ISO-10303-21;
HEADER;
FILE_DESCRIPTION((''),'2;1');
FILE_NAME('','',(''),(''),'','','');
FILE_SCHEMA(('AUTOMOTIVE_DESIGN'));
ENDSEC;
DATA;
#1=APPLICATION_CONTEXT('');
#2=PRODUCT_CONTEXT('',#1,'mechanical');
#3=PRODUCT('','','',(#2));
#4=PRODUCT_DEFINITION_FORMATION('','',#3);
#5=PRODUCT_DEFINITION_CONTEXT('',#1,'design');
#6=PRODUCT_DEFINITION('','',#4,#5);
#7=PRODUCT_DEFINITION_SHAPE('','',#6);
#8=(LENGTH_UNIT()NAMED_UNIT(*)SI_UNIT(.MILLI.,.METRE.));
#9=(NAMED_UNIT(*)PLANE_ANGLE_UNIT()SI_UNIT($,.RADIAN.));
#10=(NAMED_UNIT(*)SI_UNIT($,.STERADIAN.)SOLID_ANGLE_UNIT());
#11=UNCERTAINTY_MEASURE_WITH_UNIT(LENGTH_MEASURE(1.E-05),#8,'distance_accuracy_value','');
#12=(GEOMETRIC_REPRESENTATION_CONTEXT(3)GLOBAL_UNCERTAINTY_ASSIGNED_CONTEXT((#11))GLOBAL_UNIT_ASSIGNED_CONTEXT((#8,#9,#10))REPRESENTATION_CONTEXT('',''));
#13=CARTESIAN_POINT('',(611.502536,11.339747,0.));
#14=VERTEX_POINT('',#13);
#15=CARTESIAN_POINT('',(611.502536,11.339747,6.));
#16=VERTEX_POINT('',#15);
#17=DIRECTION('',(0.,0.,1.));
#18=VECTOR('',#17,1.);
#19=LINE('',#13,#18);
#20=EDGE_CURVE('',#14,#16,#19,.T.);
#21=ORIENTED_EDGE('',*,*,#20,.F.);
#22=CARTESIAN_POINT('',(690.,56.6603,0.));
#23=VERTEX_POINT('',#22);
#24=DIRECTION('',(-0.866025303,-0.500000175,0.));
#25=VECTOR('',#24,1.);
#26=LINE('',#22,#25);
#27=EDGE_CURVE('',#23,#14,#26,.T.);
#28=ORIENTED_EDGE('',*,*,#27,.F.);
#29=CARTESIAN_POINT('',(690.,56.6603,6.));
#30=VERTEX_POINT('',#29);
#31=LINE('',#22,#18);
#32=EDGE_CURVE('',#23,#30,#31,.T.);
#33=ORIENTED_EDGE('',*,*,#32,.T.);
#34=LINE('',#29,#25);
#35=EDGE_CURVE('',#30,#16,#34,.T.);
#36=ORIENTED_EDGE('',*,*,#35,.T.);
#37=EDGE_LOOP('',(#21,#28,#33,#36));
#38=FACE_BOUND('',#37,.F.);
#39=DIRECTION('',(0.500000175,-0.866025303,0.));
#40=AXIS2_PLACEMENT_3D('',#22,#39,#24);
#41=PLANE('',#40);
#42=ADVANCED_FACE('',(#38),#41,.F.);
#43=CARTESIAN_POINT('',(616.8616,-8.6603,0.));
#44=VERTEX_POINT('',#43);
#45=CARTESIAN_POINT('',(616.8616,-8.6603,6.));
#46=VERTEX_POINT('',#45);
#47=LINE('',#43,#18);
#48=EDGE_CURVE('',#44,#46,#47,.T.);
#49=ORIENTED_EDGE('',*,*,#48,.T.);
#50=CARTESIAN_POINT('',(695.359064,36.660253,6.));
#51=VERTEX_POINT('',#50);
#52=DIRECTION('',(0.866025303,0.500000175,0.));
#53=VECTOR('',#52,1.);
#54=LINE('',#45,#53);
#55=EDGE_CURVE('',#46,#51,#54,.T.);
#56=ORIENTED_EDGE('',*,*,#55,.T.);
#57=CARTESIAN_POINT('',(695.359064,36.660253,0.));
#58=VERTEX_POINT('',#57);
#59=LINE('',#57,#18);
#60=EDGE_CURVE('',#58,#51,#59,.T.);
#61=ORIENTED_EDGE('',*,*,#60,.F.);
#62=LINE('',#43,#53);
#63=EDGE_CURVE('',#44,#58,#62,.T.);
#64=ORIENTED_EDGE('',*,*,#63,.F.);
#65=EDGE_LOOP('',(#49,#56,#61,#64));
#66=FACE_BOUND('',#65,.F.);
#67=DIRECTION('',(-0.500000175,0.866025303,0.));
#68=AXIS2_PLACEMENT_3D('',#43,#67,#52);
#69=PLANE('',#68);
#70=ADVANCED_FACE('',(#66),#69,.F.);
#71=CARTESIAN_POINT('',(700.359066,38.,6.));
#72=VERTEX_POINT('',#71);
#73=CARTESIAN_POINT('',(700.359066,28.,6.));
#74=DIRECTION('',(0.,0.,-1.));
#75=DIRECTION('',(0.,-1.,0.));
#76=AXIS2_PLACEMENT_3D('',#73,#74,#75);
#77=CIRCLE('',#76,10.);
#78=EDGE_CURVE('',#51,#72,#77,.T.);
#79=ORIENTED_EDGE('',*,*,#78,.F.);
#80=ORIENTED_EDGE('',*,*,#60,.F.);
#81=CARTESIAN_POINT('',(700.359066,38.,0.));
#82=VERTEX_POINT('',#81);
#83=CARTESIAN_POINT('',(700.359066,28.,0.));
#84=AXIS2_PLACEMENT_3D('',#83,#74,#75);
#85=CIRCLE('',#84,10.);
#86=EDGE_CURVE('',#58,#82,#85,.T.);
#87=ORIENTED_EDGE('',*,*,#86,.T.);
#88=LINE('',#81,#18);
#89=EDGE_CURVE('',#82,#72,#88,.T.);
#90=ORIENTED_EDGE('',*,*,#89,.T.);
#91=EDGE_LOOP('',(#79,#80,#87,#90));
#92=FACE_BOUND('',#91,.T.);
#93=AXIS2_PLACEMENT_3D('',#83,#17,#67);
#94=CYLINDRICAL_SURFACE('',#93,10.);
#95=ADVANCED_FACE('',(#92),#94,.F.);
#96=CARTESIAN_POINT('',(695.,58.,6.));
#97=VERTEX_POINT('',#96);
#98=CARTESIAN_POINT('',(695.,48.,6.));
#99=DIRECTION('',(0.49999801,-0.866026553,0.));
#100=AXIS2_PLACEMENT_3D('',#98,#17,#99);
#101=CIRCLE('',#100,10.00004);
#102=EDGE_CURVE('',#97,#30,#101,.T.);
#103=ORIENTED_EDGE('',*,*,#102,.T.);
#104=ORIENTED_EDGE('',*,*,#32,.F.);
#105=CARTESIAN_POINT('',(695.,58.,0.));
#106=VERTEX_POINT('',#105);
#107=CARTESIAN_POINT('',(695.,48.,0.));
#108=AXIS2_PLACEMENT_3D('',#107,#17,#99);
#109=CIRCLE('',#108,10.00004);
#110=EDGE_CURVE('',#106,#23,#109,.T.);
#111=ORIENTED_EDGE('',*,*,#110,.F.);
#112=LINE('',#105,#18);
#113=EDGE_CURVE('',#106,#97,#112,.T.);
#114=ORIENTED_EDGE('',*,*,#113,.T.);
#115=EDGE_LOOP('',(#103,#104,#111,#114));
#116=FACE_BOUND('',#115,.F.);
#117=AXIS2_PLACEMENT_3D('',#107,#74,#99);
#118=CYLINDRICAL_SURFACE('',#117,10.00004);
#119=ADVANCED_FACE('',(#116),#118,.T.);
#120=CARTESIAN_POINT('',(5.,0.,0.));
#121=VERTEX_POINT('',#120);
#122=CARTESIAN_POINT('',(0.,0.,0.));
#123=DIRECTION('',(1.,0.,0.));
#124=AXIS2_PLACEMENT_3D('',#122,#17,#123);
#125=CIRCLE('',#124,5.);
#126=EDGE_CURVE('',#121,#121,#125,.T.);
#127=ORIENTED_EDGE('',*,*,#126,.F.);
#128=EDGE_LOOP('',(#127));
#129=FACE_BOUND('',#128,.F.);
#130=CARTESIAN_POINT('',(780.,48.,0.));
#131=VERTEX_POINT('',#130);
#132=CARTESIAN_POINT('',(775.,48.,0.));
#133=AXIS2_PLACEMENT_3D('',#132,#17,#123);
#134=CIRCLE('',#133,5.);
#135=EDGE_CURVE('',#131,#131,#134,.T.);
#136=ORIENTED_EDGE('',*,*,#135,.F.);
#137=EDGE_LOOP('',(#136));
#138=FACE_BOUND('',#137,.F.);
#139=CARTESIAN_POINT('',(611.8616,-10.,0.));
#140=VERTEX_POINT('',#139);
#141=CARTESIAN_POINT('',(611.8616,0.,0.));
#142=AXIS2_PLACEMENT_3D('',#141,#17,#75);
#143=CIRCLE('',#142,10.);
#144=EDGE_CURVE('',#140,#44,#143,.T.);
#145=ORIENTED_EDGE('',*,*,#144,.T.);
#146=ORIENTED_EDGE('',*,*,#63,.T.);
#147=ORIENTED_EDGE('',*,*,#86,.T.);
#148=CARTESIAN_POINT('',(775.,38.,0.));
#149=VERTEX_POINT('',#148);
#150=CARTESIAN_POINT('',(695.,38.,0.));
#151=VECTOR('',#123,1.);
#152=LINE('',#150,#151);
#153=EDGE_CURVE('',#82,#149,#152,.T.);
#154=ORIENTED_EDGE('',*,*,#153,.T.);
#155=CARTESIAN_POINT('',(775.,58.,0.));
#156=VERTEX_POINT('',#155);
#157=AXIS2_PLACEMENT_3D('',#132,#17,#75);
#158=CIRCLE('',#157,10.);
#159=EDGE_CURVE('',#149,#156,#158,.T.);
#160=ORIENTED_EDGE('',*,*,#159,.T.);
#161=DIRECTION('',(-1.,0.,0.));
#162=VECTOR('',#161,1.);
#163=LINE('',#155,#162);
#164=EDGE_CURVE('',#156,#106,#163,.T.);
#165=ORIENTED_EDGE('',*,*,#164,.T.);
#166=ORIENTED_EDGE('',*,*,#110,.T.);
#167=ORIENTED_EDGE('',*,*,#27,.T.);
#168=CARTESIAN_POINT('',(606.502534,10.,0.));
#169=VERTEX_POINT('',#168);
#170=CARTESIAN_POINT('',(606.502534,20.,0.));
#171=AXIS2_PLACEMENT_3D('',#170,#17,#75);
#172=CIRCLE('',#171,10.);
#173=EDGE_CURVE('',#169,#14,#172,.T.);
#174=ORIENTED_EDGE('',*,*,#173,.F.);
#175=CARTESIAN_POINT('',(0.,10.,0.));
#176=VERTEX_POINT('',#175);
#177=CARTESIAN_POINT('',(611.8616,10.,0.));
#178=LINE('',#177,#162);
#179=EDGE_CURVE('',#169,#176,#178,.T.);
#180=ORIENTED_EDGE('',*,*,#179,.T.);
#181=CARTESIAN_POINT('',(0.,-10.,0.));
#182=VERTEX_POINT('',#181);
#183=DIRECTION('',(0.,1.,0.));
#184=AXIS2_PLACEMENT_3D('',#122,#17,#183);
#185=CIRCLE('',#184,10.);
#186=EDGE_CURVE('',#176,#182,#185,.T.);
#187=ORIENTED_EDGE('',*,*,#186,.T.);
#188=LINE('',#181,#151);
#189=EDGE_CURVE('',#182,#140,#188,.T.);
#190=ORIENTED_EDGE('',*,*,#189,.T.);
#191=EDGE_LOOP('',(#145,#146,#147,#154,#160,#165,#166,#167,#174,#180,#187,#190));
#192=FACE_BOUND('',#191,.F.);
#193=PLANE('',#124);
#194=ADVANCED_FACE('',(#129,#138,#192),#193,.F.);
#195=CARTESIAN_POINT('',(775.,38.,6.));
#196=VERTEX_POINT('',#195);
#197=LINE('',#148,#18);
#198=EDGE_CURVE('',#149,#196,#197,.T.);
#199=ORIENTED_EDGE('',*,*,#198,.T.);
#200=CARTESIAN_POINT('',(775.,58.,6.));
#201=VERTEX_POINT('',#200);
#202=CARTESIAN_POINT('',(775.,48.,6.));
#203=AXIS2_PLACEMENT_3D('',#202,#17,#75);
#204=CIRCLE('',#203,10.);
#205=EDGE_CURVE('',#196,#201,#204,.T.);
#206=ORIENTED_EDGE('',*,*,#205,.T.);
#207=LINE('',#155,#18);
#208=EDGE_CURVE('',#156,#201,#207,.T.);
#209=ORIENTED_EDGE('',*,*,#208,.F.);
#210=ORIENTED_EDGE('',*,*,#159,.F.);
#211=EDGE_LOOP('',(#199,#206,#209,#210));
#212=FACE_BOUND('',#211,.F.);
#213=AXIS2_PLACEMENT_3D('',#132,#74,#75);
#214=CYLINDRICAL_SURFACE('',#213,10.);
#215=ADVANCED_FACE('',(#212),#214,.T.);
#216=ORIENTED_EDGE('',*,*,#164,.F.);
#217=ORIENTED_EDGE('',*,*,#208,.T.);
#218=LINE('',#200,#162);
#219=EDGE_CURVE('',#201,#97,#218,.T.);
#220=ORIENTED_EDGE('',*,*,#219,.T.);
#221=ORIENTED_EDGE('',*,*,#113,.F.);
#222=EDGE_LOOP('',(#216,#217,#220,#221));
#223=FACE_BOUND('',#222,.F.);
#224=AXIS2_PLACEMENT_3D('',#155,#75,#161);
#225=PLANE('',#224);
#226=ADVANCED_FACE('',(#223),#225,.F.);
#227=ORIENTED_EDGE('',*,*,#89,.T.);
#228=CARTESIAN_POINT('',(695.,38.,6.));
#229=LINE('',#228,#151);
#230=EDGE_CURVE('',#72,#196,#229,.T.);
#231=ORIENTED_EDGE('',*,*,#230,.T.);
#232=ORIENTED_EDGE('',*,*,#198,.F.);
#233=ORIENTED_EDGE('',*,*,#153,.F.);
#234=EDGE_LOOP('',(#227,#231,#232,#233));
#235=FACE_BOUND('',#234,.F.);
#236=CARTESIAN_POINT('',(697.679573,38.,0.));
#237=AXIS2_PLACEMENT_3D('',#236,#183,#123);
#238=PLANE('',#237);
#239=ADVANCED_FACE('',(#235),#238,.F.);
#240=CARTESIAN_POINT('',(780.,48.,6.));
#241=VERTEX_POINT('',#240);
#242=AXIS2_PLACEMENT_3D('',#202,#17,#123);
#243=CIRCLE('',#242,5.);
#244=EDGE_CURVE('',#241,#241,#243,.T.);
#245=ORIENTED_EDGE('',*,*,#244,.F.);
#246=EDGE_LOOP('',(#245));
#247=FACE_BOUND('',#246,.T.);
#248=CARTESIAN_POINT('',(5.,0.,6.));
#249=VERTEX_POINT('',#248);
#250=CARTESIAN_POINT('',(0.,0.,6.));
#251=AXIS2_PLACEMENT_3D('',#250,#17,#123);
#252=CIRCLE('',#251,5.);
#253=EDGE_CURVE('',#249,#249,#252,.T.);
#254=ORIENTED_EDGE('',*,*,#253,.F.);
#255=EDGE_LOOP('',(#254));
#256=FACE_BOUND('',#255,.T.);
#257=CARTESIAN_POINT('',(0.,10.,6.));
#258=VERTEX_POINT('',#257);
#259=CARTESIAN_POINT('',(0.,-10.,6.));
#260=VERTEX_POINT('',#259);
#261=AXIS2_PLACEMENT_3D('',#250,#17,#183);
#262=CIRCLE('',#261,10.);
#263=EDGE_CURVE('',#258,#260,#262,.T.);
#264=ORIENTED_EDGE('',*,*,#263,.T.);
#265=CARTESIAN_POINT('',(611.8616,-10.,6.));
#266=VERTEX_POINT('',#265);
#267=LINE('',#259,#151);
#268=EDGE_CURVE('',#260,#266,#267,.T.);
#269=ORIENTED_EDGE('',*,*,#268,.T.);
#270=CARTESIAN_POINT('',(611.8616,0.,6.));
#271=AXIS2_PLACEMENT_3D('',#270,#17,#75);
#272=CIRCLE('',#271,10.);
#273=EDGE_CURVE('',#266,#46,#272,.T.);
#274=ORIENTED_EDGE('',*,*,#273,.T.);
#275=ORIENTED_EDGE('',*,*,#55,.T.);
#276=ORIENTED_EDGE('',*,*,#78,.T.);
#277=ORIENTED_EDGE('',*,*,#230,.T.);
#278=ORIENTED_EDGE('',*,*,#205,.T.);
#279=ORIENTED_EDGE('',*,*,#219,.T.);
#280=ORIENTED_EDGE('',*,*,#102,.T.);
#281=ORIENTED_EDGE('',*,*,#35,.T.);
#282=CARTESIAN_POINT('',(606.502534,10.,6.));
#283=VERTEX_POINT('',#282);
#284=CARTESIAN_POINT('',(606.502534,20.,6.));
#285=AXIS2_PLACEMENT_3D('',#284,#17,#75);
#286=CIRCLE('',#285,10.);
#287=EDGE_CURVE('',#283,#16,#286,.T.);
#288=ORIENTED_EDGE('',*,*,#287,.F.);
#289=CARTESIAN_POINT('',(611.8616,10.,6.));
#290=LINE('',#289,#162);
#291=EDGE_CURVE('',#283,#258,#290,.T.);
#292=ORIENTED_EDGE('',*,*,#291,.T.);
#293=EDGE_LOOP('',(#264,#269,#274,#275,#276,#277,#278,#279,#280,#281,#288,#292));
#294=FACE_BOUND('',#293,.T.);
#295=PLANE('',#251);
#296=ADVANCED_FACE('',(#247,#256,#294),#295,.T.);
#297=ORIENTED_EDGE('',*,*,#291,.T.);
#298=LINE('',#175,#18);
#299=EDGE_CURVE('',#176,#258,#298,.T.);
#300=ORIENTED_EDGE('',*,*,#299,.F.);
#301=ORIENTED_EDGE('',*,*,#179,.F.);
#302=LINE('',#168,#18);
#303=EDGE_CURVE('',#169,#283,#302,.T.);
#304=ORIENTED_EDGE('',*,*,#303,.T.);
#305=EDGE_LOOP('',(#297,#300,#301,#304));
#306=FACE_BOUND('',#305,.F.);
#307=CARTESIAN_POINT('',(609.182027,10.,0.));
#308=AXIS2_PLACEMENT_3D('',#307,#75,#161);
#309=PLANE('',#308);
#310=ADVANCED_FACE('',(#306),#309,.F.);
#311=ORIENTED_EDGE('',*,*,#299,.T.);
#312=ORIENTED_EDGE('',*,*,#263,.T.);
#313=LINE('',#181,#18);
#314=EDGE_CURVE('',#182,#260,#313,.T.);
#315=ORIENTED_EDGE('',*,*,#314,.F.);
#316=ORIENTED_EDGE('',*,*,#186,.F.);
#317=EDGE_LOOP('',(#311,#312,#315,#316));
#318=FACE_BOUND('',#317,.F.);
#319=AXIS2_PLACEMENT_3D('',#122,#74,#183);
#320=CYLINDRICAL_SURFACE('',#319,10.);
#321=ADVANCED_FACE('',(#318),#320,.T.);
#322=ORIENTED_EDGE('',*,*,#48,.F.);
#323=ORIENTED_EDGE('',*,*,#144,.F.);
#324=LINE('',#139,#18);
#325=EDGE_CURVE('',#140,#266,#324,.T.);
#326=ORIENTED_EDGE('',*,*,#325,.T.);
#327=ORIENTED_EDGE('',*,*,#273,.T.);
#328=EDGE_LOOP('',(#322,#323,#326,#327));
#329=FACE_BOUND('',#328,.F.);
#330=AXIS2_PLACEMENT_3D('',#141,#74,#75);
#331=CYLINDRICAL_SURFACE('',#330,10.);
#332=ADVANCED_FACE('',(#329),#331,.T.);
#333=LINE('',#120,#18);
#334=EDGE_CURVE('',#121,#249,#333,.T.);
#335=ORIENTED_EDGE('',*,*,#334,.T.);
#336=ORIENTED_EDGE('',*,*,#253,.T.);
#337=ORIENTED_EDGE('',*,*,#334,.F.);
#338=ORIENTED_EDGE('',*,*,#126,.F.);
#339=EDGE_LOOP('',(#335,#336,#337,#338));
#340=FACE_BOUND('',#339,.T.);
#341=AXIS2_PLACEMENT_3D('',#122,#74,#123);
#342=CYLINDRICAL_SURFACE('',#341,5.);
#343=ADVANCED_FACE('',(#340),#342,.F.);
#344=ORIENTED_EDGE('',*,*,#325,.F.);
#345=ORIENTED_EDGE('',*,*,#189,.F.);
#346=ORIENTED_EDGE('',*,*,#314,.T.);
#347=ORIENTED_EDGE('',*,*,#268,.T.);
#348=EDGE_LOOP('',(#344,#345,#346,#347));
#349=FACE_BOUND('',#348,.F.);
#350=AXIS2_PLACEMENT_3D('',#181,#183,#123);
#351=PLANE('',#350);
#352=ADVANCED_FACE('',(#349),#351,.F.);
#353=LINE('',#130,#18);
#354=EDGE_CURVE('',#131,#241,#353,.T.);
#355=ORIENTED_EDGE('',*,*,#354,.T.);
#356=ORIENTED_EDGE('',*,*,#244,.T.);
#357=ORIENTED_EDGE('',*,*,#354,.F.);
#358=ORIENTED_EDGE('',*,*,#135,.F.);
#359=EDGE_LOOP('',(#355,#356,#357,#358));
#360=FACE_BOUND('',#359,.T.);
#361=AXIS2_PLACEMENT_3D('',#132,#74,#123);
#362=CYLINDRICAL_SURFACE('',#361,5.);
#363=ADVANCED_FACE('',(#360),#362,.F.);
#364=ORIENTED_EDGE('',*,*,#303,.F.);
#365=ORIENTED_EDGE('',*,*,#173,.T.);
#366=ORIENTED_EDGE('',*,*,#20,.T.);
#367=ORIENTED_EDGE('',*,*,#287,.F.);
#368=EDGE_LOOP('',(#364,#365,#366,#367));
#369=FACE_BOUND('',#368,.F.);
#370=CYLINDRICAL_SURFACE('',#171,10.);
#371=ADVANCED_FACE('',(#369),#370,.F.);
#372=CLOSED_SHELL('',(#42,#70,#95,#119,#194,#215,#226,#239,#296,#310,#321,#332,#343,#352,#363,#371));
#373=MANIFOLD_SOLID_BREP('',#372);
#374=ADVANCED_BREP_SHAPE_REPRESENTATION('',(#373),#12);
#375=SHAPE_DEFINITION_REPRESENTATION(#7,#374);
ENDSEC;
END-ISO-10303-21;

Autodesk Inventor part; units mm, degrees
ref_plane "YZ Plane" through (0, 0, 0) normal (1, 0, 0) x (0, 1, 0)
ref_plane "XZ Plane" through (0, 0, 0) normal (0, 1, 0) x (-1, 0, 0)
ref_plane "XY Plane" through (0, 0, 0) normal (0, 0, 1) x (1, 0, 0)
sketch "Sketch1" plane through (0, 0, 0) normal (0, 0, 1) x (1, 0, 0)
  circle A0 centre (775, 48) radius 5
  circle A1 centre (0, 0) radius 5
  line L0 (0, 0) -> (611.8616, 0) construction
  line L1 (0, -10) -> (611.8616, -10)
  line L2 (611.8616, 10) -> (0, 10)
  arc A2 (0, 10) -> (0, -10) centre (0, 0) ccw
  arc A3 (611.8616, -10) -> (611.8616, 10) centre (611.8616, 0) ccw
  line L3 (611.8616, 0) -> (695, 48) construction
  line L4 (616.8616, -8.6603) -> (700, 39.3397)
  line L5 (690, 56.6603) -> (606.8616, 8.6603)
  arc A4 (606.8616, 8.6603) -> (616.8616, -8.6603) centre (611.8616, 0) ccw
  arc A5 (700, 39.3397) -> (690, 56.6603) centre (695, 48) ccw
  line L6 (695, 48) -> (775, 48) construction
  line L7 (695, 38) -> (775, 38)
  line L8 (775, 58) -> (695, 58)
  arc A6 (695, 58) -> (695, 38) centre (695, 48) ccw
  arc A7 (775, 38) -> (775, 58) centre (775, 48) ccw
  point P0 (305.9308, 0)
  point P1 (653.4308, 24)
  point P2 (735, 48)
  point P3 (616.8616, -8.6603)
  point P4 (697.6795, 38)
  point P5 (609.1821, 10)
  dimension "d0" = 775
  dimension "d1" = 10
  dimension "d2" = 48
  dimension "d4" = 10
  dimension "d5" = 30
  dimension "d6" = 80
extrude "Extrusion1" add sketch "Sketch1" along normal blind 6
fillet "Fillet1" radius 10 2 edges at (697.6795, 38, 3) (609.1821, 10, 3)
properties part number "FRC001-1"
